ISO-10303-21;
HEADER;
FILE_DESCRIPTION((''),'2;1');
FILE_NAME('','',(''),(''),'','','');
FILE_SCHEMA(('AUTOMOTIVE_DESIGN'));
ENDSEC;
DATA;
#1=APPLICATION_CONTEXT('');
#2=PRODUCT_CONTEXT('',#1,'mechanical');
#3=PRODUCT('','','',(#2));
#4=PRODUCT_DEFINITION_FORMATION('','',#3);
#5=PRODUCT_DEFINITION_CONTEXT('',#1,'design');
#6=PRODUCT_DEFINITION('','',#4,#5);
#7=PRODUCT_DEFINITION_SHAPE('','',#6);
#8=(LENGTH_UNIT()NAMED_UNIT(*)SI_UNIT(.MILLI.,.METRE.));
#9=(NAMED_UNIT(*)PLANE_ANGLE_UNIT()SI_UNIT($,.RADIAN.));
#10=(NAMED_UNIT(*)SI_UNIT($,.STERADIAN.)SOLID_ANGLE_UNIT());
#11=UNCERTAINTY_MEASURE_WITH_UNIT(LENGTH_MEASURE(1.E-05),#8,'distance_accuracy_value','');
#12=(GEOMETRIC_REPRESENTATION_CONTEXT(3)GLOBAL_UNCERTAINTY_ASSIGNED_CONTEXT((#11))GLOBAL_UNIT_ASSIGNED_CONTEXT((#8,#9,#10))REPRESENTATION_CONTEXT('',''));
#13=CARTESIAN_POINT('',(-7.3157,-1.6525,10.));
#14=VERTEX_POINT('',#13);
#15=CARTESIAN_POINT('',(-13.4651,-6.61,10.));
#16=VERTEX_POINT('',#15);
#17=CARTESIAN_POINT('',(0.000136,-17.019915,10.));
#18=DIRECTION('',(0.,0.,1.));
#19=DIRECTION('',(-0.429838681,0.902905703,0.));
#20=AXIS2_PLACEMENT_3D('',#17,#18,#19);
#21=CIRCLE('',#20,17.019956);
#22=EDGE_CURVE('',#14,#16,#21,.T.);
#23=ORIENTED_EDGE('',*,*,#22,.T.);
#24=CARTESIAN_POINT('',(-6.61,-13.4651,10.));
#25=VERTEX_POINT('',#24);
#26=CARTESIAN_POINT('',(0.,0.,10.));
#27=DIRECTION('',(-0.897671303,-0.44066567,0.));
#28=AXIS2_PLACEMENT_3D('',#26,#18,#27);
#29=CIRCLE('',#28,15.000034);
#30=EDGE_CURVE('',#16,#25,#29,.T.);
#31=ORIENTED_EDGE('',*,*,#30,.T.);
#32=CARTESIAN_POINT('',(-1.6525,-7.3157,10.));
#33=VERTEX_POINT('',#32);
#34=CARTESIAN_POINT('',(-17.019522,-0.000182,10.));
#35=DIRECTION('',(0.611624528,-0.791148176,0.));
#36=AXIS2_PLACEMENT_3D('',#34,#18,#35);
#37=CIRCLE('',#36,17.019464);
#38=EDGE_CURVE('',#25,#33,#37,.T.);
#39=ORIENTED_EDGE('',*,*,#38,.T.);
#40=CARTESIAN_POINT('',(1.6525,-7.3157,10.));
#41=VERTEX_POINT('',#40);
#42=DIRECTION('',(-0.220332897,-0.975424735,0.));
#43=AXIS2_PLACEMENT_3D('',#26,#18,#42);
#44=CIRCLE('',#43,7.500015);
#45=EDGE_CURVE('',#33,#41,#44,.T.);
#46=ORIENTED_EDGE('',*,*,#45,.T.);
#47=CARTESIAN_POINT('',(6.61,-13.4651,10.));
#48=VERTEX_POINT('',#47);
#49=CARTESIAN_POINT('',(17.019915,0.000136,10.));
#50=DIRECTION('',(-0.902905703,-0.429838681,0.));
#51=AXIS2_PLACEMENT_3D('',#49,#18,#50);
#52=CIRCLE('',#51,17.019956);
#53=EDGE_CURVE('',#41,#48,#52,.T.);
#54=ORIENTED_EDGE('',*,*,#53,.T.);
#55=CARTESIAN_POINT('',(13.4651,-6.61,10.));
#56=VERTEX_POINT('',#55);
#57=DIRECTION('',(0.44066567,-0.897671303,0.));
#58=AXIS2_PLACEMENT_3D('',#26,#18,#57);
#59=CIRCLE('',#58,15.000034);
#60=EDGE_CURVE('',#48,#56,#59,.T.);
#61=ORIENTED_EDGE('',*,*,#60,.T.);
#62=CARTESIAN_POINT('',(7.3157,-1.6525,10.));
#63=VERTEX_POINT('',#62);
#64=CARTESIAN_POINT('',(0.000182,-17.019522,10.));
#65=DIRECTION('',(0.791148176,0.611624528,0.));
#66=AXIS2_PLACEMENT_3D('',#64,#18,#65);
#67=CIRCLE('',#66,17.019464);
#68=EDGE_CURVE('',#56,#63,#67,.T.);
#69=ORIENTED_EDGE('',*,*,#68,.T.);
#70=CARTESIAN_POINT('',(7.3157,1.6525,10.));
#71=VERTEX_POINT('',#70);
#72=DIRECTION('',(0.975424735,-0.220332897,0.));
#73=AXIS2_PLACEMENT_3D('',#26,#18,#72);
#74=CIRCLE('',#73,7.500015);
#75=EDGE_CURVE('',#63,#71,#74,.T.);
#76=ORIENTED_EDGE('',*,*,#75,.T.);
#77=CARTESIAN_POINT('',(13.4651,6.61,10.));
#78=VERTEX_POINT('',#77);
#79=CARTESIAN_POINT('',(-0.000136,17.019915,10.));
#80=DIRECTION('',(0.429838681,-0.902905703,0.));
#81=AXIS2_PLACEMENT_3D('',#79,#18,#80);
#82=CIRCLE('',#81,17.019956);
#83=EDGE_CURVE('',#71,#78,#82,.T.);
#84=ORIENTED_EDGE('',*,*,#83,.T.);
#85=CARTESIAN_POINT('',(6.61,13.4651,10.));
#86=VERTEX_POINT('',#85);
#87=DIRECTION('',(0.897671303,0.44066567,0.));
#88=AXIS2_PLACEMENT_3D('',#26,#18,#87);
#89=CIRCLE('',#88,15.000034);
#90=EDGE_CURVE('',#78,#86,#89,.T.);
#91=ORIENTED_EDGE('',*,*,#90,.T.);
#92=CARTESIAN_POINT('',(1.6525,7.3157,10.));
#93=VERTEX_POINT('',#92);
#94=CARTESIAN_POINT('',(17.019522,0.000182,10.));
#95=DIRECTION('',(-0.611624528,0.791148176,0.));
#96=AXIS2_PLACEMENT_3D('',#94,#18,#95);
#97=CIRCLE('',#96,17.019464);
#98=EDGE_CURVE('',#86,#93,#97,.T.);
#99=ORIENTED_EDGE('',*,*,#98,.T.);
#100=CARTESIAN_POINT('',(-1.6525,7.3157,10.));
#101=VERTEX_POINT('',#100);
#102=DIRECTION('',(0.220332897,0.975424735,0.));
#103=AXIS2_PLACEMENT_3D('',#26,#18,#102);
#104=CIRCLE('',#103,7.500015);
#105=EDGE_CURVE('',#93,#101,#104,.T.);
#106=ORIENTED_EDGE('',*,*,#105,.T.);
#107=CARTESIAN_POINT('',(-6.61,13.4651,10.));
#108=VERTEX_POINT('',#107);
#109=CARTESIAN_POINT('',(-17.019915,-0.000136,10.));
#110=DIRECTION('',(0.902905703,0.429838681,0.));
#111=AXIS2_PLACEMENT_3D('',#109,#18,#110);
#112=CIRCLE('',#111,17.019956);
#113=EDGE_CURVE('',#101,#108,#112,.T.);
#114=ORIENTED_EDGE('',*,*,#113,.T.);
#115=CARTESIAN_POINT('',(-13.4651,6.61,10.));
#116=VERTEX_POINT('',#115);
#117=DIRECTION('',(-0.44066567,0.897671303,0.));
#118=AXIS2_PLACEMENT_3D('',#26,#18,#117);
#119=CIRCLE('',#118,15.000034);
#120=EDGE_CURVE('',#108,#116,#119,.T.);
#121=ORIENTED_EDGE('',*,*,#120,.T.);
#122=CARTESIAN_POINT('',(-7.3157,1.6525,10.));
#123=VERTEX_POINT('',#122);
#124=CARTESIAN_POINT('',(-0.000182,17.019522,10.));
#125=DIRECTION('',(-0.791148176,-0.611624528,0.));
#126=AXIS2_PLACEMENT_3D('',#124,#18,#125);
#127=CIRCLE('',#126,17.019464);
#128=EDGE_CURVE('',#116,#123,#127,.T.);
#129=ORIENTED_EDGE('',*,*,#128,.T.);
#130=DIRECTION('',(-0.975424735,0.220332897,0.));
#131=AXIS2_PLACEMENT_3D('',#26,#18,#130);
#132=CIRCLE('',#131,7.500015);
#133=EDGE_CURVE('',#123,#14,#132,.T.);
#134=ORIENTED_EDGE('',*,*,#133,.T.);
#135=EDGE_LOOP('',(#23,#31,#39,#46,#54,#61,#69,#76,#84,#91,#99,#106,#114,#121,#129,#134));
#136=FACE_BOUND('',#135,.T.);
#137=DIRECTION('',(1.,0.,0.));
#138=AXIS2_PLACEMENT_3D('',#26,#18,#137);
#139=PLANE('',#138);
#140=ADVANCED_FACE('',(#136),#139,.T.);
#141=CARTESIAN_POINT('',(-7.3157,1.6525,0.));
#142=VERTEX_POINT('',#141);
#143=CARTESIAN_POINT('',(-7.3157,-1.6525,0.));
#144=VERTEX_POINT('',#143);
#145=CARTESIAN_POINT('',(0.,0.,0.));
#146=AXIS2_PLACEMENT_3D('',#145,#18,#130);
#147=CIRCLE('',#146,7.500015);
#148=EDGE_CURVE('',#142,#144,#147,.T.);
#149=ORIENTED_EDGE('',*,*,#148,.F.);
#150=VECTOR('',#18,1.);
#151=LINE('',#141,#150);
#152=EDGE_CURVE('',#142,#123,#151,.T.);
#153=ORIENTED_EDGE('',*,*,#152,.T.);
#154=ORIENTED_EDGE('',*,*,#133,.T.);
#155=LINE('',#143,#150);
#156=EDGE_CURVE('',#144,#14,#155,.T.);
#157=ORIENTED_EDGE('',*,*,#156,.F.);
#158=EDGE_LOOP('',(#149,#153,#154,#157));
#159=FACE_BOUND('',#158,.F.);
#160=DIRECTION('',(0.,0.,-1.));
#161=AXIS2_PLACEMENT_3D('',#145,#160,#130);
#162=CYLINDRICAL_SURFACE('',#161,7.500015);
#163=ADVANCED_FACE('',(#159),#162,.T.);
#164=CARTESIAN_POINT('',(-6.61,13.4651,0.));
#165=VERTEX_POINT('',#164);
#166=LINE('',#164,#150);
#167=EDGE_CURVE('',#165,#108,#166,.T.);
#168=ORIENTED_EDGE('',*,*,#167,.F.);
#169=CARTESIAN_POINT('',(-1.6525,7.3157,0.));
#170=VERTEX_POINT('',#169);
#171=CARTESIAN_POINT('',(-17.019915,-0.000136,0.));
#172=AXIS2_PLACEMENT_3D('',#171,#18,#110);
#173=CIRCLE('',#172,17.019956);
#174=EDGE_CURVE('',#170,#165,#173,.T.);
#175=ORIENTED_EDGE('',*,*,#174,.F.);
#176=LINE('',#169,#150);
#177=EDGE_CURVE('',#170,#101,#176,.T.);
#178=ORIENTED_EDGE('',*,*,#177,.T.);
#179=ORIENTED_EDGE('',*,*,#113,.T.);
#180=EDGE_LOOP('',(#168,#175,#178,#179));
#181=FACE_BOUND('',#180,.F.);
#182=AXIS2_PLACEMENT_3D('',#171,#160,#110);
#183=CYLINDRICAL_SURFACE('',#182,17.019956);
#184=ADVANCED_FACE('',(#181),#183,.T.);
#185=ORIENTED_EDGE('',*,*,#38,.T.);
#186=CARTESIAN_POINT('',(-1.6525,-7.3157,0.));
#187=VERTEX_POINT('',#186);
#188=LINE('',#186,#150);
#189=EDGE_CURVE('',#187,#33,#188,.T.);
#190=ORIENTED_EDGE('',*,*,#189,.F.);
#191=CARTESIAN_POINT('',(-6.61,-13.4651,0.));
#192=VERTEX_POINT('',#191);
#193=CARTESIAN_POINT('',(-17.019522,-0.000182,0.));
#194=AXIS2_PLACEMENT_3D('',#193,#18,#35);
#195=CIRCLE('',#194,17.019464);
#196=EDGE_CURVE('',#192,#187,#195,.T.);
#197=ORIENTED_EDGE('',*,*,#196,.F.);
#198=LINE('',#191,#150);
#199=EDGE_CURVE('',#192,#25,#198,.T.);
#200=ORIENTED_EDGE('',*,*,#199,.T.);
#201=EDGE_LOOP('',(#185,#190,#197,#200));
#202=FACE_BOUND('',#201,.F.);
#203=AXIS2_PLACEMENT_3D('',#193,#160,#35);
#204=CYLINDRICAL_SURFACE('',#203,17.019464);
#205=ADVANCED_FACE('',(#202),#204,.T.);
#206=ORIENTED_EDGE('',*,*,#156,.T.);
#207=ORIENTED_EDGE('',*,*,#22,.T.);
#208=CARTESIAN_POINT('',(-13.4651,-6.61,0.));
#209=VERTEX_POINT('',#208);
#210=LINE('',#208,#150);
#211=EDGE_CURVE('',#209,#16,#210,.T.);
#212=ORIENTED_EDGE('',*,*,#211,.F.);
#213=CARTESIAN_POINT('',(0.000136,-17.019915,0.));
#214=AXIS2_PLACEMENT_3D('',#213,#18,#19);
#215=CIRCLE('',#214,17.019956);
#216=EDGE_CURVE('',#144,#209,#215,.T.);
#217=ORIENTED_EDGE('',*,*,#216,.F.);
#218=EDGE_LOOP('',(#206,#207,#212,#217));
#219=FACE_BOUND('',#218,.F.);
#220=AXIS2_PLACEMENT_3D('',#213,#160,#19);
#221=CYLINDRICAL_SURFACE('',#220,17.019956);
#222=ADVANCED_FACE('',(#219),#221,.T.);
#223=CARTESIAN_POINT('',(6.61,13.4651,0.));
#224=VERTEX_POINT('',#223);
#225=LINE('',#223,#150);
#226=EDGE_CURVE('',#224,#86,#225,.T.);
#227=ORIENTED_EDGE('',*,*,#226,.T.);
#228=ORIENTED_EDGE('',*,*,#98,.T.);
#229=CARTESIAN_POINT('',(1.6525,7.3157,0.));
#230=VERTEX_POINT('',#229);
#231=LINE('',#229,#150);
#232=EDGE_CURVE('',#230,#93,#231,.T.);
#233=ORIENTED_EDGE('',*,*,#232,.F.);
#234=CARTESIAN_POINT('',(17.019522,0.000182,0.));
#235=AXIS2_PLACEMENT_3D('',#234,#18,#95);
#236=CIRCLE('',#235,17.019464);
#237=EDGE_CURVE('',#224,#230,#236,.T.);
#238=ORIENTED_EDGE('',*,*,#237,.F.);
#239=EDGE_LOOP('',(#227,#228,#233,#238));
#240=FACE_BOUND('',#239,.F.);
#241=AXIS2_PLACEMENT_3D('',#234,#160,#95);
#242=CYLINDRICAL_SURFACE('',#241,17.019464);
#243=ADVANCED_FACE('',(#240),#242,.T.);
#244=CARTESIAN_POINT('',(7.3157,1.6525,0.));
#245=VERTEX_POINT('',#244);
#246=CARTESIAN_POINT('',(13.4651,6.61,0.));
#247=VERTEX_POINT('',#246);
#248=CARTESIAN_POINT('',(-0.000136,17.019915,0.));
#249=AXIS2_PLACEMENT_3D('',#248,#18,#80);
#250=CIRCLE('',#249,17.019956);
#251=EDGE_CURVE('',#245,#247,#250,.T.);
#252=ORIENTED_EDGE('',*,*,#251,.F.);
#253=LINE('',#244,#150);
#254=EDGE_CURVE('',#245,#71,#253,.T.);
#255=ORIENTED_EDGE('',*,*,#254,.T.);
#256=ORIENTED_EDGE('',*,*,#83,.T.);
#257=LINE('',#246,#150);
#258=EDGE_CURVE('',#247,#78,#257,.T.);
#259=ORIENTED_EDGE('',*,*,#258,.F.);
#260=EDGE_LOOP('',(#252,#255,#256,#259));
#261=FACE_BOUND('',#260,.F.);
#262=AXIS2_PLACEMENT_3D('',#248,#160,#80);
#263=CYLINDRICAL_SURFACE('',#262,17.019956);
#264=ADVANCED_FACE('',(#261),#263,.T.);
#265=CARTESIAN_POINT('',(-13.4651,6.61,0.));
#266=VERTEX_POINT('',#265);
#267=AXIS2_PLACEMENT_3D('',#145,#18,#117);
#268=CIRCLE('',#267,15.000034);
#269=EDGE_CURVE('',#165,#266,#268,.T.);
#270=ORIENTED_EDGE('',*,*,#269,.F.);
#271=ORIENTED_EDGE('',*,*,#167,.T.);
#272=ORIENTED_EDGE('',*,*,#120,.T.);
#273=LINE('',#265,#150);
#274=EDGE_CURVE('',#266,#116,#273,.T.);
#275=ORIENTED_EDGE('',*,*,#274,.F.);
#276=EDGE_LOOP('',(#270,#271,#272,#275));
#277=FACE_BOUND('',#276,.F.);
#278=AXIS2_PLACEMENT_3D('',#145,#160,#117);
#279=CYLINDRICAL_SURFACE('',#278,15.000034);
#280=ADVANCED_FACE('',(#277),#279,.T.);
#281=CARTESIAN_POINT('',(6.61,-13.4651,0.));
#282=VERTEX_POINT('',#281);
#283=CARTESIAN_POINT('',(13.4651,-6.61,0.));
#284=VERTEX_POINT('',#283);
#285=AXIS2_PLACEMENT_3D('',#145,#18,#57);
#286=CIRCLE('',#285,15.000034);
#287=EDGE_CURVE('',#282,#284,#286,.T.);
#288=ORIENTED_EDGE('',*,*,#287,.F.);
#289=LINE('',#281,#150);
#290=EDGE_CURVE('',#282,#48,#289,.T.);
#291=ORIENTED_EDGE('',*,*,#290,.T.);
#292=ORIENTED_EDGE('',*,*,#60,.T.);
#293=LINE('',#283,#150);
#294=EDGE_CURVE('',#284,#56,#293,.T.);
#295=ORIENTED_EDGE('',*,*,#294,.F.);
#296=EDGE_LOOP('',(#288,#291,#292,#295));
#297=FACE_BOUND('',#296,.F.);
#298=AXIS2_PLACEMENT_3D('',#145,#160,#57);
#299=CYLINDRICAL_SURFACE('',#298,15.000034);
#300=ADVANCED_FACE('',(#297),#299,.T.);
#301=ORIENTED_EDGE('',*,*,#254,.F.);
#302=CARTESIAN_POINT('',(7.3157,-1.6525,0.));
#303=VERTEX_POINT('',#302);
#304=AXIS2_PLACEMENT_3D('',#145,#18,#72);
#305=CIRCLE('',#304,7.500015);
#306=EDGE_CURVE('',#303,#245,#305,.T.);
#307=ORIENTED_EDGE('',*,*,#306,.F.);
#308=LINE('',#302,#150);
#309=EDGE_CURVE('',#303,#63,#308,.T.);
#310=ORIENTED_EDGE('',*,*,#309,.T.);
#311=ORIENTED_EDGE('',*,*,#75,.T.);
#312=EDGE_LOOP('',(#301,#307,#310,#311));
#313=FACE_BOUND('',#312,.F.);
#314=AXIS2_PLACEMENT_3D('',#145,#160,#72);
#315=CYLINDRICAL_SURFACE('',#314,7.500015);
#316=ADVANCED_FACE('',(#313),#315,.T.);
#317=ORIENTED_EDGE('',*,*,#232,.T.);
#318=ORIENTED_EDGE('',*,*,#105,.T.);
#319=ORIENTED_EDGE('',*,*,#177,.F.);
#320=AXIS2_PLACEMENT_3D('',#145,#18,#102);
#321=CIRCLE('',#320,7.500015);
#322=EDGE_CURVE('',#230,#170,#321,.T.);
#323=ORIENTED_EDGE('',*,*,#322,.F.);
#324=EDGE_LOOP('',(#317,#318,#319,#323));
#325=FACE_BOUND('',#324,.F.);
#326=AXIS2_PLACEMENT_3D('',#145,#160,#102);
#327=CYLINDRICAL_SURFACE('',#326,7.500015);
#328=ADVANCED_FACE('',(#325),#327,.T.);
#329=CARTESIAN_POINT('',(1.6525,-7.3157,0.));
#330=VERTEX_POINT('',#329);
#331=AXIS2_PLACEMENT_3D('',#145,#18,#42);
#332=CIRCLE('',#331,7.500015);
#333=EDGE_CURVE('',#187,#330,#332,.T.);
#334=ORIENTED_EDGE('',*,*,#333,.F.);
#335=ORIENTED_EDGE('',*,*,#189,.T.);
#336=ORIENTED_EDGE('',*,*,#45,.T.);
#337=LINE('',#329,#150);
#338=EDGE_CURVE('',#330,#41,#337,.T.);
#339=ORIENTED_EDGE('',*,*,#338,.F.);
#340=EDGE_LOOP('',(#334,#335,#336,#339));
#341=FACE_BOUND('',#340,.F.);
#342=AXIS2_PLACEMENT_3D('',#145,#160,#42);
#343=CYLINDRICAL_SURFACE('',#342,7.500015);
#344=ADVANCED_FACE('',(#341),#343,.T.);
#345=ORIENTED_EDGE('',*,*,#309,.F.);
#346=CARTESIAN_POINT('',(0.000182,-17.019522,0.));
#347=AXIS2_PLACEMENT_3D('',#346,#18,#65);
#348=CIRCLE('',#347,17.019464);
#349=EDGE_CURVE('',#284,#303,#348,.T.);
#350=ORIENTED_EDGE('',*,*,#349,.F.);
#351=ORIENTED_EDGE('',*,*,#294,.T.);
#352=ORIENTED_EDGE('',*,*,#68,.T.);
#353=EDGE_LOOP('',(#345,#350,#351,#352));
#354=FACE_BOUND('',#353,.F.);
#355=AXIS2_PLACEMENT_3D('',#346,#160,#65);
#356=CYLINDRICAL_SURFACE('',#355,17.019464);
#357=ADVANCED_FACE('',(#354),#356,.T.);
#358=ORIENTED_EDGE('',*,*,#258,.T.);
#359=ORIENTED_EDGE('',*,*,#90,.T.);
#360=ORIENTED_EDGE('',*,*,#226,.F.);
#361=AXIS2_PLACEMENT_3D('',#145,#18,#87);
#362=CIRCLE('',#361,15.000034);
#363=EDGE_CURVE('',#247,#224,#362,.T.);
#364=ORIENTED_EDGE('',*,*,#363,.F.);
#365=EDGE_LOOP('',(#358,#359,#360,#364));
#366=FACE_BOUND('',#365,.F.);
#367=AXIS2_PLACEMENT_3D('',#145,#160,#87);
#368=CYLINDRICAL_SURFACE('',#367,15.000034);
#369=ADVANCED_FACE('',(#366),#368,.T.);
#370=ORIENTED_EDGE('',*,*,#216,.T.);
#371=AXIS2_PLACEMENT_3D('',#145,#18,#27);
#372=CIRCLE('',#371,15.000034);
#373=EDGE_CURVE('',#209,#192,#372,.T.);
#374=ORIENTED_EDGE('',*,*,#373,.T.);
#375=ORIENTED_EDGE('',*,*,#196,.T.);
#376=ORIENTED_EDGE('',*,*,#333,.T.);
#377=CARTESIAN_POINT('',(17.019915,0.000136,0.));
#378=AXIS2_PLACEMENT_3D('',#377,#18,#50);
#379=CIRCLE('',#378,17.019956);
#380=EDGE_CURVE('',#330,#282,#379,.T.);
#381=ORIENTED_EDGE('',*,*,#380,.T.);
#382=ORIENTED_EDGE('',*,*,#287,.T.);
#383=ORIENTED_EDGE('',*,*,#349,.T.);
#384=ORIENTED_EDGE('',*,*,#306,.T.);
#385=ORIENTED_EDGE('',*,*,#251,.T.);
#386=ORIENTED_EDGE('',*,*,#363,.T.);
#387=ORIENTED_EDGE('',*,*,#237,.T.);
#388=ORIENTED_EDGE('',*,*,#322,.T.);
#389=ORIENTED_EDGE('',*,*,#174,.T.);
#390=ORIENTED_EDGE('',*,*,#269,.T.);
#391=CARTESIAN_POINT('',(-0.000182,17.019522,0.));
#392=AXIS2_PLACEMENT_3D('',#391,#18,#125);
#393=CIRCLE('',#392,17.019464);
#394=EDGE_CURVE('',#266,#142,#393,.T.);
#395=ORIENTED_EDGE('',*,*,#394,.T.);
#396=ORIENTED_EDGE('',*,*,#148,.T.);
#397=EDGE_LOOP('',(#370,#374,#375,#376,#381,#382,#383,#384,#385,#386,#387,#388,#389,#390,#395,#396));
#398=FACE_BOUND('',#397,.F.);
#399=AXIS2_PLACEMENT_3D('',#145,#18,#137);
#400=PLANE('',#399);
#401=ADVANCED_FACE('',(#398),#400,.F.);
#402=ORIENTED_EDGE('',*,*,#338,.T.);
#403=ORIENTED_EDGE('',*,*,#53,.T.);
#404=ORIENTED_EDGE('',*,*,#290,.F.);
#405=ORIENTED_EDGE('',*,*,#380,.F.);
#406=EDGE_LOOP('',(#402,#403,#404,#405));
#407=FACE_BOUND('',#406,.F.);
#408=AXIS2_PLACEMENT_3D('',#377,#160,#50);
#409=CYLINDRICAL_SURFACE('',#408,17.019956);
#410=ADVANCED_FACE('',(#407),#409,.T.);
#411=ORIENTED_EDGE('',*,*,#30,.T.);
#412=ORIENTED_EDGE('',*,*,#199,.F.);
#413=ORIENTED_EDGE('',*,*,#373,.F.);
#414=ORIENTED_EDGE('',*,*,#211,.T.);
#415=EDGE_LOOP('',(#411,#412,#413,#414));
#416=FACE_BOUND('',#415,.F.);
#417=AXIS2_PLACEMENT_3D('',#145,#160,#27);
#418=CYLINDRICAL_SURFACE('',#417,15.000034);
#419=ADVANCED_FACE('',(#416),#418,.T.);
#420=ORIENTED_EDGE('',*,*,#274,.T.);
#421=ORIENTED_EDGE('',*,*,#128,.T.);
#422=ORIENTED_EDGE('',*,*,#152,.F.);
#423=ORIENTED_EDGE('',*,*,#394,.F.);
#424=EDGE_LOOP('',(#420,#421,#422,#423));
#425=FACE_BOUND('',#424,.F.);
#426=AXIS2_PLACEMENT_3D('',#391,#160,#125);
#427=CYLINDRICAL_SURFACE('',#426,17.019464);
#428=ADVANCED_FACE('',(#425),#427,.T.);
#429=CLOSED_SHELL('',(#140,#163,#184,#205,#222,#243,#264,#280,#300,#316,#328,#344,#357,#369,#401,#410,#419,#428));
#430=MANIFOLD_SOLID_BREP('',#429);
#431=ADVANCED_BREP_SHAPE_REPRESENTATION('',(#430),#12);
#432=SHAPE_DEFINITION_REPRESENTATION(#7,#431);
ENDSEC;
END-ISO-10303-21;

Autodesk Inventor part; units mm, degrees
sketch "Sketch_1" plane through (0, 0, 0) normal (0, 0, 1) x (1, 0, 0)
  arc A0 (-13.4651, -6.61) -> (-6.61, -13.4651) centre (0, 0) ccw
  arc A1 (-6.61, -13.4651) -> (-1.6525, -7.3157) centre (-17.0197, 0) ccw
  arc A2 (-1.6525, -7.3157) -> (1.6525, -7.3157) centre (0, 0) ccw
  arc A3 (1.6525, -7.3157) -> (6.61, -13.4651) centre (17.0197, 0) ccw
  arc A4 (6.61, -13.4651) -> (13.4651, -6.61) centre (0, 0) ccw
  arc A5 (13.4651, -6.61) -> (7.3157, -1.6525) centre (0, -17.0197) ccw
  arc A6 (7.3157, -1.6525) -> (7.3157, 1.6525) centre (0, 0) ccw
  arc A7 (7.3157, 1.6525) -> (13.4651, 6.61) centre (0, 17.0197) ccw
  arc A8 (13.4651, 6.61) -> (6.61, 13.4651) centre (0, 0) ccw
  arc A9 (6.61, 13.4651) -> (1.6525, 7.3157) centre (17.0197, 0) ccw
  arc A10 (1.6525, 7.3157) -> (-1.6525, 7.3157) centre (0, 0) ccw
  arc A11 (-1.6525, 7.3157) -> (-6.61, 13.4651) centre (-17.0197, 0) ccw
  arc A12 (-6.61, 13.4651) -> (-13.4651, 6.61) centre (0, 0) ccw
  arc A13 (-13.4651, 6.61) -> (-7.3157, 1.6525) centre (0, 17.0197) ccw
  arc A14 (-7.3157, 1.6525) -> (-7.3157, -1.6525) centre (0, 0) ccw
  arc A15 (-7.3157, -1.6525) -> (-13.4651, -6.61) centre (0, -17.0197) ccw
extrude "Extrusion1" add sketch "Sketch_1" along normal blind 10
ref_plane "part2a_XY" through (0, 0, 0) normal (0, 0, 1) x (1, 0, 0)
ref_plane "part2a_YZ" through (0, 0, 0) normal (1, 0, 0) x (0, 1, 0)
ref_plane "part2a_ZX" through (0, 0, 0) normal (0, 1, 0) x (0, 0, 1)
properties part number "MJT-30-BL Sleeve"
